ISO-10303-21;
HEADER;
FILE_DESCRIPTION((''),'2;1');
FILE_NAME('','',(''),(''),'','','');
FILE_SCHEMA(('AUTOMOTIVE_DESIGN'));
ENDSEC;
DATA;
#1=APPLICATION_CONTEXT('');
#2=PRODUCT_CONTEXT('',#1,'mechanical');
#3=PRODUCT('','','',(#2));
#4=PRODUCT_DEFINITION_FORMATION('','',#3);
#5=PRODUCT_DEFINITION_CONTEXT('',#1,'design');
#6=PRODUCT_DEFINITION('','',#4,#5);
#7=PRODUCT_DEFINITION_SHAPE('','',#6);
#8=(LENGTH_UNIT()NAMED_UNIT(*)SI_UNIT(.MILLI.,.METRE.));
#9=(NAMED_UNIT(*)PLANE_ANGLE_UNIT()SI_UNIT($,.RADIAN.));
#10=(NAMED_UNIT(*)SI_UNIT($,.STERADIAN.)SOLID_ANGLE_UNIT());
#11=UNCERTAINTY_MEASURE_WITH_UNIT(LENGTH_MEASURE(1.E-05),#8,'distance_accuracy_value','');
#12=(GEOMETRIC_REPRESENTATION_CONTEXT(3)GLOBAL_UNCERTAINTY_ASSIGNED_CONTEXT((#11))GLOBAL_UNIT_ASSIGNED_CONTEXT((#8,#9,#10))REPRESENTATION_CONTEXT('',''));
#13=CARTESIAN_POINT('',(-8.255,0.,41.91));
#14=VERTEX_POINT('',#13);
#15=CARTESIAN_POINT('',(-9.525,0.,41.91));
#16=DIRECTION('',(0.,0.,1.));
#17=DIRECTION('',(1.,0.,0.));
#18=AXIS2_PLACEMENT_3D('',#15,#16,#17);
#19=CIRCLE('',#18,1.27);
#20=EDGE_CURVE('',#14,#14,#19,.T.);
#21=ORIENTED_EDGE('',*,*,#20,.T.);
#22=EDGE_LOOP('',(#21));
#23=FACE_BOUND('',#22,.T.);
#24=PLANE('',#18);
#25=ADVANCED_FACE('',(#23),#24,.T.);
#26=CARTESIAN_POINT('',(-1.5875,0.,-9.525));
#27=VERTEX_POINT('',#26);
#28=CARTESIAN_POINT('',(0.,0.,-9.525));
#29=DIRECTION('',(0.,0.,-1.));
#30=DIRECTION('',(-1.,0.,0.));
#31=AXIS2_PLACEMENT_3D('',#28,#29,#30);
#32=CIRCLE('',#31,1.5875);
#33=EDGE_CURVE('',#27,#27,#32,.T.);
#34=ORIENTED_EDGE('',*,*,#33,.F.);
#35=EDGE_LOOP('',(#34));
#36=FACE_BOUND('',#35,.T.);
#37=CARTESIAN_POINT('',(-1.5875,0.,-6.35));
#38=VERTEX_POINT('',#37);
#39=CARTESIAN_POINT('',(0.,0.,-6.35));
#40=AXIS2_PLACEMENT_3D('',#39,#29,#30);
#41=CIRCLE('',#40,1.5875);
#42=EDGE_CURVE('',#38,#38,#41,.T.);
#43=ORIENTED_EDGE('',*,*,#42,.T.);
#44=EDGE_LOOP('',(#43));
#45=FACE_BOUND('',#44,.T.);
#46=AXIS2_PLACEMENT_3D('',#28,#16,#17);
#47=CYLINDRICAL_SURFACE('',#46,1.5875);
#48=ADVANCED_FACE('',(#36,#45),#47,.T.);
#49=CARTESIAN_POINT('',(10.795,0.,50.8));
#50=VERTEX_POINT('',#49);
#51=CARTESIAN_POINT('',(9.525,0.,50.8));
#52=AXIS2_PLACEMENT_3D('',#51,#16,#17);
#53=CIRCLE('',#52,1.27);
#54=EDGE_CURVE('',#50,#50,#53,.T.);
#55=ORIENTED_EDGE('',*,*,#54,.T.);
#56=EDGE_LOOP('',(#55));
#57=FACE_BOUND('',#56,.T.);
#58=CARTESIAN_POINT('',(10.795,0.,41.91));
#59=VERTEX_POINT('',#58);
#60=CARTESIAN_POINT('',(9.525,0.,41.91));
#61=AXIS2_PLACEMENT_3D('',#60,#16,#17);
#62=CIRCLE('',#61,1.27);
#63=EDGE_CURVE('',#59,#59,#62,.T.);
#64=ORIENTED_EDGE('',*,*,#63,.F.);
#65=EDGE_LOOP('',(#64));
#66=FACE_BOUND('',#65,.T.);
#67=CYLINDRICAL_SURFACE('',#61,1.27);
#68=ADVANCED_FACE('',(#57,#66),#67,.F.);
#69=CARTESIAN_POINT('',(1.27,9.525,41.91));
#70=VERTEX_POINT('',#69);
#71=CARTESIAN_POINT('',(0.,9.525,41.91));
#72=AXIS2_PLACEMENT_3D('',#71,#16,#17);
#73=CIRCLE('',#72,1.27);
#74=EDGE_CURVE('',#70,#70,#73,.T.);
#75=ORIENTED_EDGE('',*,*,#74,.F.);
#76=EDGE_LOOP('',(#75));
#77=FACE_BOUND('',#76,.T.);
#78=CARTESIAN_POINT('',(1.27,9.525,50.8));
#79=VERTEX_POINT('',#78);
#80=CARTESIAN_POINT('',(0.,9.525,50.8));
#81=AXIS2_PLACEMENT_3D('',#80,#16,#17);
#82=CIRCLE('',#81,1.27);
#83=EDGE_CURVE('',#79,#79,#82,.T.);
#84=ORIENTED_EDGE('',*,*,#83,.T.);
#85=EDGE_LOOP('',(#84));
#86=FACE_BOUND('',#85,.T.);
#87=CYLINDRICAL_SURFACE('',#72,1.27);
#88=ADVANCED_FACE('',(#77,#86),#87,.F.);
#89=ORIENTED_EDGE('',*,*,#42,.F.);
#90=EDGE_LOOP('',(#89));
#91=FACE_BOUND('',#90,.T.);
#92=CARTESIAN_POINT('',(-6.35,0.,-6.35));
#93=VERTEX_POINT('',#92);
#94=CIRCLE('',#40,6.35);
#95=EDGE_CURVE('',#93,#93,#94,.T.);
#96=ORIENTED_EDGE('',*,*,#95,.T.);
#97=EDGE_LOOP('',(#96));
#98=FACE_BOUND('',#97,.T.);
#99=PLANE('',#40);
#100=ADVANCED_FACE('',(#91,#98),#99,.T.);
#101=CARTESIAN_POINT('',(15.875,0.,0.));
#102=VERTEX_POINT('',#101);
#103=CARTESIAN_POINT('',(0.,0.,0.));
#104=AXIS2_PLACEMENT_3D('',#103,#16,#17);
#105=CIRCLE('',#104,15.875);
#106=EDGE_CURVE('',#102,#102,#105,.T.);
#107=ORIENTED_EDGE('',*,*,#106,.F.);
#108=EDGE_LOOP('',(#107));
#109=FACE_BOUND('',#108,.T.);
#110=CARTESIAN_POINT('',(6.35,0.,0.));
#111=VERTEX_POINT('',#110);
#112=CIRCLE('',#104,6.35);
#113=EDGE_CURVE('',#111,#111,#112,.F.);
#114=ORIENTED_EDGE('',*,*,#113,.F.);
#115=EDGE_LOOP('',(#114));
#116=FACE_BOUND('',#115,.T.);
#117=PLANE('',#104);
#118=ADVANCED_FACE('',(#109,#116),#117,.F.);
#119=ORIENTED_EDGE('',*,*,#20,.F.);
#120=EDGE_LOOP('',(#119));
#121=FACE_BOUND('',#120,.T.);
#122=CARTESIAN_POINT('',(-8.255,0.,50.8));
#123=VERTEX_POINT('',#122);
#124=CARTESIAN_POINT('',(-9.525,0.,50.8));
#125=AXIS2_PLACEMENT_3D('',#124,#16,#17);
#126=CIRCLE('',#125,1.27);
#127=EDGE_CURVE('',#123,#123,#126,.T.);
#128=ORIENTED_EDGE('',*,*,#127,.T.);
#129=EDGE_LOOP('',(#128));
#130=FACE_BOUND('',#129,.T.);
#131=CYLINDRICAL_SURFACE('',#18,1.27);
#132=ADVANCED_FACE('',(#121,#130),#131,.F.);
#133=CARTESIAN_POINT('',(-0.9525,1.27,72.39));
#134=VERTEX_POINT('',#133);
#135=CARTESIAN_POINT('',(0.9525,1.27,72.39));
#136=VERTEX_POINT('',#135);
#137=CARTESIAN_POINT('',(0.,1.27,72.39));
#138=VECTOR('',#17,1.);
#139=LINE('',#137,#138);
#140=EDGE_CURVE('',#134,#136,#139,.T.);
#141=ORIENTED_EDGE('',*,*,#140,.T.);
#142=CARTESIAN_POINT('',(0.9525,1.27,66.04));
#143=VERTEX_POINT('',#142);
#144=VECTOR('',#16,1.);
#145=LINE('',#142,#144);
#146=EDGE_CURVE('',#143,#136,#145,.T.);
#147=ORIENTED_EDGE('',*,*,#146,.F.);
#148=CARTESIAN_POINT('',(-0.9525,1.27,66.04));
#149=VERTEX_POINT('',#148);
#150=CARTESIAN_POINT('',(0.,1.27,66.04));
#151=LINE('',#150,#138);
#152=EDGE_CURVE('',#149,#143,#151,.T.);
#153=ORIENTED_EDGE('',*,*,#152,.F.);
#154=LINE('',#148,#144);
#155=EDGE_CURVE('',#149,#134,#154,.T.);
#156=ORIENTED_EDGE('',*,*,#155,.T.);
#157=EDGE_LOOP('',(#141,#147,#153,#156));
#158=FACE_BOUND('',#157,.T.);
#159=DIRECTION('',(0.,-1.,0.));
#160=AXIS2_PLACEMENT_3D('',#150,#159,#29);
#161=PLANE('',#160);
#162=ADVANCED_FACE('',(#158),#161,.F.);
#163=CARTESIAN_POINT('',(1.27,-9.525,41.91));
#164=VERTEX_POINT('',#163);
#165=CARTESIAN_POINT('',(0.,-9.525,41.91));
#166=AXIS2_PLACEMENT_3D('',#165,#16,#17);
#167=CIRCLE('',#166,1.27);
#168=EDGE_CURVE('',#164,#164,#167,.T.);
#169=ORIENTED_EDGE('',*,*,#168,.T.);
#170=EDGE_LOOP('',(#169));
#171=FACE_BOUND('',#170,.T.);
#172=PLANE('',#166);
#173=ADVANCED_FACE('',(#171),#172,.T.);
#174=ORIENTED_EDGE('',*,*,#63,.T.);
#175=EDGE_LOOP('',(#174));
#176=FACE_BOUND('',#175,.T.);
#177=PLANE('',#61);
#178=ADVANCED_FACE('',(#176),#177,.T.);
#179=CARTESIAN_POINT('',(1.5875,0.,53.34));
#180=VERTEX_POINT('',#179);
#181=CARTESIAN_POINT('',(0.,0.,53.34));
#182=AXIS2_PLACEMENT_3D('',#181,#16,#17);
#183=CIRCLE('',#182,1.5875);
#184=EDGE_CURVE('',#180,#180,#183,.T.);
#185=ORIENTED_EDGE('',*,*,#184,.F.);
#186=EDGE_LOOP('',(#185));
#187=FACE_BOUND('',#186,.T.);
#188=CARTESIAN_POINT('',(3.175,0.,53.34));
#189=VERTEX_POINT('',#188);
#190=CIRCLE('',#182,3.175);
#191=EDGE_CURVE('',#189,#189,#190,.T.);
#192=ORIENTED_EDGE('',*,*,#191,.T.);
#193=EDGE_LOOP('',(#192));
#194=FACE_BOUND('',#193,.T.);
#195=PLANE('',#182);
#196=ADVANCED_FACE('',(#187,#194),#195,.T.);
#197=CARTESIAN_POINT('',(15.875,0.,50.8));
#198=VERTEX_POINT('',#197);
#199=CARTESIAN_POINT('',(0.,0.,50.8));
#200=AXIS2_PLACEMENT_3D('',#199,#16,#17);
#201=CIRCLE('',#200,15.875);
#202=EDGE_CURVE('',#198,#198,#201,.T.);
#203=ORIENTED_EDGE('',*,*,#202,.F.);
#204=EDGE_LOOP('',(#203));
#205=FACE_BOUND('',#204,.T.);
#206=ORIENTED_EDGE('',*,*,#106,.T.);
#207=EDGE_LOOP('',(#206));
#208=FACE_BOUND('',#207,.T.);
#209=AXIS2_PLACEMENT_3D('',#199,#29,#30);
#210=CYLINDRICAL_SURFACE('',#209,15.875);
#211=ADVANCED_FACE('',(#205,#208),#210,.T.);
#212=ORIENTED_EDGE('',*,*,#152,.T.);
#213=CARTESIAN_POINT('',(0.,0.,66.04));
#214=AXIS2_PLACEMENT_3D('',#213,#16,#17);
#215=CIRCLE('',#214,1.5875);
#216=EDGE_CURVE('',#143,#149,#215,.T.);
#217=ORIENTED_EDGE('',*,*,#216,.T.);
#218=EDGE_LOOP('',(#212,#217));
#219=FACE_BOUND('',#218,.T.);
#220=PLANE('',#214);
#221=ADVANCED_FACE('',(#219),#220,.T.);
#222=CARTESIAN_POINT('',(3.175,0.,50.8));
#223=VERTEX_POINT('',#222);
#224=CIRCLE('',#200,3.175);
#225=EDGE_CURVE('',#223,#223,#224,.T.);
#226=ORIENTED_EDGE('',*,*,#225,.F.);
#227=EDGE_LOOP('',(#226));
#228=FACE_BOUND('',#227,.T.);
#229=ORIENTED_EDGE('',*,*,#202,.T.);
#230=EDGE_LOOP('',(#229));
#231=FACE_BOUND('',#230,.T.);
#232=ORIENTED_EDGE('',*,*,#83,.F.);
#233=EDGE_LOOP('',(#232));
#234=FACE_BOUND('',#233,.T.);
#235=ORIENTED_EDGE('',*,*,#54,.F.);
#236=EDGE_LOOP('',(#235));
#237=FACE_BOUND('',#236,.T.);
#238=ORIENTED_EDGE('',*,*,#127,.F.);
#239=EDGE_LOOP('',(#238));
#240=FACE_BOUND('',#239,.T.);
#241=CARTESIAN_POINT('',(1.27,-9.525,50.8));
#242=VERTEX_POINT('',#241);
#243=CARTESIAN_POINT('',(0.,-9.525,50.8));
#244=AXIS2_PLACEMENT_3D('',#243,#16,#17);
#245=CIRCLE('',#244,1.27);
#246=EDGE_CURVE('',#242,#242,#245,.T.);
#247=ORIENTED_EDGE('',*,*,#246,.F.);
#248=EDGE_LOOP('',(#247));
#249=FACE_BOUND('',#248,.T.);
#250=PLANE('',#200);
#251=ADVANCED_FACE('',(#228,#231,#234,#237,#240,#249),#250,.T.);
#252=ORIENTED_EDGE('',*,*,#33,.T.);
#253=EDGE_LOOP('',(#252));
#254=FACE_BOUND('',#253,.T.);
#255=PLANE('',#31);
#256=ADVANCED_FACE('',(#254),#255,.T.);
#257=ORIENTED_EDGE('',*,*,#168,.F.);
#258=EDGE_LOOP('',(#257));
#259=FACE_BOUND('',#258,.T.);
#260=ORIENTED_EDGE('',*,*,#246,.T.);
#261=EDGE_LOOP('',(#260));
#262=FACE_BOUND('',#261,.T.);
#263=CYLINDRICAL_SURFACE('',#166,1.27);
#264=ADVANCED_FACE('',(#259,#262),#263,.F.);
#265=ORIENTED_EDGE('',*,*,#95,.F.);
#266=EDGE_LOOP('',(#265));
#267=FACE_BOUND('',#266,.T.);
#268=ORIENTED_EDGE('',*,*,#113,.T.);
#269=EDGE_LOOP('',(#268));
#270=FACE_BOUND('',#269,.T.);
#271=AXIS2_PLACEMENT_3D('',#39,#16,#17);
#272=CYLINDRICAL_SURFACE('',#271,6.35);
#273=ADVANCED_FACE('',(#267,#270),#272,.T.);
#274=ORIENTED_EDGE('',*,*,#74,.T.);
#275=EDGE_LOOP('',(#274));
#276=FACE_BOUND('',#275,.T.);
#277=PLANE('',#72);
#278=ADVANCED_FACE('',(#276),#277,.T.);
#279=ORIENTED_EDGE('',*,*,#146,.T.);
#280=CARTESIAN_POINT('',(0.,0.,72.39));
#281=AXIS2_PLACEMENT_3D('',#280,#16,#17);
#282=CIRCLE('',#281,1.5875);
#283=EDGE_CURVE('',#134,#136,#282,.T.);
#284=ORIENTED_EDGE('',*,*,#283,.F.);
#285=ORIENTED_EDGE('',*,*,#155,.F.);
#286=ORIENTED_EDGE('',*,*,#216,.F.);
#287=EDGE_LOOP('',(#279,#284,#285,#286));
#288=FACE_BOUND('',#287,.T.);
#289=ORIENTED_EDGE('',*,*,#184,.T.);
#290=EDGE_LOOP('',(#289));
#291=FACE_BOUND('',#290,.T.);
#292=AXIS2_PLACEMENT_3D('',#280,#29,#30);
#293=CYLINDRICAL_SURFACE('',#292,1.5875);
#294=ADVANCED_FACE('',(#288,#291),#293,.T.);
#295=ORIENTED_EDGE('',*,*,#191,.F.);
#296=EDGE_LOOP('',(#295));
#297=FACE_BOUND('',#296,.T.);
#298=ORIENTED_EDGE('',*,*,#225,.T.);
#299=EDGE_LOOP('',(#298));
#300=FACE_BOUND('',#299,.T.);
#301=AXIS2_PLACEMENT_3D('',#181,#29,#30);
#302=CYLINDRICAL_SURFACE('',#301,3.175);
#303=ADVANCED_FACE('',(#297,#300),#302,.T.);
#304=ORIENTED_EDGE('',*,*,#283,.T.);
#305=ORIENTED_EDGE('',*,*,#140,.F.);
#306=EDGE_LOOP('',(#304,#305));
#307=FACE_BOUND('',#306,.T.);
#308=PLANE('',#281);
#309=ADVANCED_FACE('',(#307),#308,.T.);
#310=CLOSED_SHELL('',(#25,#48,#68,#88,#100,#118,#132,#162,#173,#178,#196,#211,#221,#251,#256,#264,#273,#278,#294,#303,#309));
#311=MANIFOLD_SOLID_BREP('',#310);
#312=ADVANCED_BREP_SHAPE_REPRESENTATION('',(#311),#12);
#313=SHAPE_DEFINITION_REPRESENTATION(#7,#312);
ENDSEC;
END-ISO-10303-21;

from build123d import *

# Parameters (mm, degrees)
SKETCH1_R           = 15.875
BOSS_EXTRUDE1_DEPTH = 50.8
SKETCH2_R           = 6.35
BOSS_EXTRUDE2_DEPTH = 6.35
SKETCH3_R           = 1.5875
BOSS_EXTRUDE3_DEPTH = 3.175
SKETCH4_R           = 3.175
BOSS_EXTRUDE4_DEPTH = 2.54
BOSS_EXTRUDE5_START = 19.05
SKETCH5_R           = 1.5875
BOSS_EXTRUDE5_DEPTH = 19.05
CUT_EXTRUDE1_DEPTH  = 6.35
SKETCH7_R           = 1.27
CUT_EXTRUDE2_DEPTH  = 8.89


with BuildPart() as part:
    # Sketch1 → Boss-Extrude1 (new body)
    with BuildSketch(Plane.XY):
        Circle(SKETCH1_R)
    extrude(amount=BOSS_EXTRUDE1_DEPTH)

    # Sketch2 → Boss-Extrude2 (add)
    with BuildSketch(Plane(origin=(0, 0, 0), x_dir=(-1, 0, 0), z_dir=(0, 0, -1))):
        with Locations(Location((0, 0, 0), (0, 0, 180))):
            Circle(SKETCH2_R)
    extrude(amount=BOSS_EXTRUDE2_DEPTH)

    # Sketch3 → Boss-Extrude3 (add)
    with BuildSketch(Plane(origin=(0, 0, -6.35), x_dir=(-1, 0, 0), z_dir=(0, 0, -1))):
        Circle(SKETCH3_R)
    extrude(amount=BOSS_EXTRUDE3_DEPTH)

    # Sketch4 → Boss-Extrude4 (add)
    with BuildSketch(Plane.XY.offset(50.8)):
        Circle(SKETCH4_R)
    extrude(amount=BOSS_EXTRUDE4_DEPTH)

    # Sketch5 → Boss-Extrude5 (add)
    with BuildSketch(Plane.XY.offset(53.34).offset(BOSS_EXTRUDE5_START)):
        with Locations(Location((0, 0, 0), (0, 0, 180))):
            Circle(SKETCH5_R)
    extrude(amount=-BOSS_EXTRUDE5_DEPTH)

    # Sketch6 → Cut-Extrude1 (cut)
    with BuildSketch(Plane.XY.offset(72.39)):
        with BuildLine():
            Line((-0.9525, 1.27), (0.9525, 1.27))
            ThreePointArc((0.9525, 1.27), (0, 1.5875), (-0.9525, 1.27))
        make_face()
    extrude(amount=-CUT_EXTRUDE1_DEPTH, mode=Mode.SUBTRACT)

    # Sketch7 → Cut-Extrude2 (cut)
    with BuildSketch(Plane.XY.offset(50.8)):
        with Locations((0, 9.525)):
            Circle(SKETCH7_R)
        with Locations((9.525, 0)):
            Circle(SKETCH7_R)
        with Locations((0, -9.525)):
            Circle(SKETCH7_R)
        with Locations((-9.525, 0)):
            Circle(SKETCH7_R)
    extrude(amount=-CUT_EXTRUDE2_DEPTH, mode=Mode.SUBTRACT)


solid = part.part
